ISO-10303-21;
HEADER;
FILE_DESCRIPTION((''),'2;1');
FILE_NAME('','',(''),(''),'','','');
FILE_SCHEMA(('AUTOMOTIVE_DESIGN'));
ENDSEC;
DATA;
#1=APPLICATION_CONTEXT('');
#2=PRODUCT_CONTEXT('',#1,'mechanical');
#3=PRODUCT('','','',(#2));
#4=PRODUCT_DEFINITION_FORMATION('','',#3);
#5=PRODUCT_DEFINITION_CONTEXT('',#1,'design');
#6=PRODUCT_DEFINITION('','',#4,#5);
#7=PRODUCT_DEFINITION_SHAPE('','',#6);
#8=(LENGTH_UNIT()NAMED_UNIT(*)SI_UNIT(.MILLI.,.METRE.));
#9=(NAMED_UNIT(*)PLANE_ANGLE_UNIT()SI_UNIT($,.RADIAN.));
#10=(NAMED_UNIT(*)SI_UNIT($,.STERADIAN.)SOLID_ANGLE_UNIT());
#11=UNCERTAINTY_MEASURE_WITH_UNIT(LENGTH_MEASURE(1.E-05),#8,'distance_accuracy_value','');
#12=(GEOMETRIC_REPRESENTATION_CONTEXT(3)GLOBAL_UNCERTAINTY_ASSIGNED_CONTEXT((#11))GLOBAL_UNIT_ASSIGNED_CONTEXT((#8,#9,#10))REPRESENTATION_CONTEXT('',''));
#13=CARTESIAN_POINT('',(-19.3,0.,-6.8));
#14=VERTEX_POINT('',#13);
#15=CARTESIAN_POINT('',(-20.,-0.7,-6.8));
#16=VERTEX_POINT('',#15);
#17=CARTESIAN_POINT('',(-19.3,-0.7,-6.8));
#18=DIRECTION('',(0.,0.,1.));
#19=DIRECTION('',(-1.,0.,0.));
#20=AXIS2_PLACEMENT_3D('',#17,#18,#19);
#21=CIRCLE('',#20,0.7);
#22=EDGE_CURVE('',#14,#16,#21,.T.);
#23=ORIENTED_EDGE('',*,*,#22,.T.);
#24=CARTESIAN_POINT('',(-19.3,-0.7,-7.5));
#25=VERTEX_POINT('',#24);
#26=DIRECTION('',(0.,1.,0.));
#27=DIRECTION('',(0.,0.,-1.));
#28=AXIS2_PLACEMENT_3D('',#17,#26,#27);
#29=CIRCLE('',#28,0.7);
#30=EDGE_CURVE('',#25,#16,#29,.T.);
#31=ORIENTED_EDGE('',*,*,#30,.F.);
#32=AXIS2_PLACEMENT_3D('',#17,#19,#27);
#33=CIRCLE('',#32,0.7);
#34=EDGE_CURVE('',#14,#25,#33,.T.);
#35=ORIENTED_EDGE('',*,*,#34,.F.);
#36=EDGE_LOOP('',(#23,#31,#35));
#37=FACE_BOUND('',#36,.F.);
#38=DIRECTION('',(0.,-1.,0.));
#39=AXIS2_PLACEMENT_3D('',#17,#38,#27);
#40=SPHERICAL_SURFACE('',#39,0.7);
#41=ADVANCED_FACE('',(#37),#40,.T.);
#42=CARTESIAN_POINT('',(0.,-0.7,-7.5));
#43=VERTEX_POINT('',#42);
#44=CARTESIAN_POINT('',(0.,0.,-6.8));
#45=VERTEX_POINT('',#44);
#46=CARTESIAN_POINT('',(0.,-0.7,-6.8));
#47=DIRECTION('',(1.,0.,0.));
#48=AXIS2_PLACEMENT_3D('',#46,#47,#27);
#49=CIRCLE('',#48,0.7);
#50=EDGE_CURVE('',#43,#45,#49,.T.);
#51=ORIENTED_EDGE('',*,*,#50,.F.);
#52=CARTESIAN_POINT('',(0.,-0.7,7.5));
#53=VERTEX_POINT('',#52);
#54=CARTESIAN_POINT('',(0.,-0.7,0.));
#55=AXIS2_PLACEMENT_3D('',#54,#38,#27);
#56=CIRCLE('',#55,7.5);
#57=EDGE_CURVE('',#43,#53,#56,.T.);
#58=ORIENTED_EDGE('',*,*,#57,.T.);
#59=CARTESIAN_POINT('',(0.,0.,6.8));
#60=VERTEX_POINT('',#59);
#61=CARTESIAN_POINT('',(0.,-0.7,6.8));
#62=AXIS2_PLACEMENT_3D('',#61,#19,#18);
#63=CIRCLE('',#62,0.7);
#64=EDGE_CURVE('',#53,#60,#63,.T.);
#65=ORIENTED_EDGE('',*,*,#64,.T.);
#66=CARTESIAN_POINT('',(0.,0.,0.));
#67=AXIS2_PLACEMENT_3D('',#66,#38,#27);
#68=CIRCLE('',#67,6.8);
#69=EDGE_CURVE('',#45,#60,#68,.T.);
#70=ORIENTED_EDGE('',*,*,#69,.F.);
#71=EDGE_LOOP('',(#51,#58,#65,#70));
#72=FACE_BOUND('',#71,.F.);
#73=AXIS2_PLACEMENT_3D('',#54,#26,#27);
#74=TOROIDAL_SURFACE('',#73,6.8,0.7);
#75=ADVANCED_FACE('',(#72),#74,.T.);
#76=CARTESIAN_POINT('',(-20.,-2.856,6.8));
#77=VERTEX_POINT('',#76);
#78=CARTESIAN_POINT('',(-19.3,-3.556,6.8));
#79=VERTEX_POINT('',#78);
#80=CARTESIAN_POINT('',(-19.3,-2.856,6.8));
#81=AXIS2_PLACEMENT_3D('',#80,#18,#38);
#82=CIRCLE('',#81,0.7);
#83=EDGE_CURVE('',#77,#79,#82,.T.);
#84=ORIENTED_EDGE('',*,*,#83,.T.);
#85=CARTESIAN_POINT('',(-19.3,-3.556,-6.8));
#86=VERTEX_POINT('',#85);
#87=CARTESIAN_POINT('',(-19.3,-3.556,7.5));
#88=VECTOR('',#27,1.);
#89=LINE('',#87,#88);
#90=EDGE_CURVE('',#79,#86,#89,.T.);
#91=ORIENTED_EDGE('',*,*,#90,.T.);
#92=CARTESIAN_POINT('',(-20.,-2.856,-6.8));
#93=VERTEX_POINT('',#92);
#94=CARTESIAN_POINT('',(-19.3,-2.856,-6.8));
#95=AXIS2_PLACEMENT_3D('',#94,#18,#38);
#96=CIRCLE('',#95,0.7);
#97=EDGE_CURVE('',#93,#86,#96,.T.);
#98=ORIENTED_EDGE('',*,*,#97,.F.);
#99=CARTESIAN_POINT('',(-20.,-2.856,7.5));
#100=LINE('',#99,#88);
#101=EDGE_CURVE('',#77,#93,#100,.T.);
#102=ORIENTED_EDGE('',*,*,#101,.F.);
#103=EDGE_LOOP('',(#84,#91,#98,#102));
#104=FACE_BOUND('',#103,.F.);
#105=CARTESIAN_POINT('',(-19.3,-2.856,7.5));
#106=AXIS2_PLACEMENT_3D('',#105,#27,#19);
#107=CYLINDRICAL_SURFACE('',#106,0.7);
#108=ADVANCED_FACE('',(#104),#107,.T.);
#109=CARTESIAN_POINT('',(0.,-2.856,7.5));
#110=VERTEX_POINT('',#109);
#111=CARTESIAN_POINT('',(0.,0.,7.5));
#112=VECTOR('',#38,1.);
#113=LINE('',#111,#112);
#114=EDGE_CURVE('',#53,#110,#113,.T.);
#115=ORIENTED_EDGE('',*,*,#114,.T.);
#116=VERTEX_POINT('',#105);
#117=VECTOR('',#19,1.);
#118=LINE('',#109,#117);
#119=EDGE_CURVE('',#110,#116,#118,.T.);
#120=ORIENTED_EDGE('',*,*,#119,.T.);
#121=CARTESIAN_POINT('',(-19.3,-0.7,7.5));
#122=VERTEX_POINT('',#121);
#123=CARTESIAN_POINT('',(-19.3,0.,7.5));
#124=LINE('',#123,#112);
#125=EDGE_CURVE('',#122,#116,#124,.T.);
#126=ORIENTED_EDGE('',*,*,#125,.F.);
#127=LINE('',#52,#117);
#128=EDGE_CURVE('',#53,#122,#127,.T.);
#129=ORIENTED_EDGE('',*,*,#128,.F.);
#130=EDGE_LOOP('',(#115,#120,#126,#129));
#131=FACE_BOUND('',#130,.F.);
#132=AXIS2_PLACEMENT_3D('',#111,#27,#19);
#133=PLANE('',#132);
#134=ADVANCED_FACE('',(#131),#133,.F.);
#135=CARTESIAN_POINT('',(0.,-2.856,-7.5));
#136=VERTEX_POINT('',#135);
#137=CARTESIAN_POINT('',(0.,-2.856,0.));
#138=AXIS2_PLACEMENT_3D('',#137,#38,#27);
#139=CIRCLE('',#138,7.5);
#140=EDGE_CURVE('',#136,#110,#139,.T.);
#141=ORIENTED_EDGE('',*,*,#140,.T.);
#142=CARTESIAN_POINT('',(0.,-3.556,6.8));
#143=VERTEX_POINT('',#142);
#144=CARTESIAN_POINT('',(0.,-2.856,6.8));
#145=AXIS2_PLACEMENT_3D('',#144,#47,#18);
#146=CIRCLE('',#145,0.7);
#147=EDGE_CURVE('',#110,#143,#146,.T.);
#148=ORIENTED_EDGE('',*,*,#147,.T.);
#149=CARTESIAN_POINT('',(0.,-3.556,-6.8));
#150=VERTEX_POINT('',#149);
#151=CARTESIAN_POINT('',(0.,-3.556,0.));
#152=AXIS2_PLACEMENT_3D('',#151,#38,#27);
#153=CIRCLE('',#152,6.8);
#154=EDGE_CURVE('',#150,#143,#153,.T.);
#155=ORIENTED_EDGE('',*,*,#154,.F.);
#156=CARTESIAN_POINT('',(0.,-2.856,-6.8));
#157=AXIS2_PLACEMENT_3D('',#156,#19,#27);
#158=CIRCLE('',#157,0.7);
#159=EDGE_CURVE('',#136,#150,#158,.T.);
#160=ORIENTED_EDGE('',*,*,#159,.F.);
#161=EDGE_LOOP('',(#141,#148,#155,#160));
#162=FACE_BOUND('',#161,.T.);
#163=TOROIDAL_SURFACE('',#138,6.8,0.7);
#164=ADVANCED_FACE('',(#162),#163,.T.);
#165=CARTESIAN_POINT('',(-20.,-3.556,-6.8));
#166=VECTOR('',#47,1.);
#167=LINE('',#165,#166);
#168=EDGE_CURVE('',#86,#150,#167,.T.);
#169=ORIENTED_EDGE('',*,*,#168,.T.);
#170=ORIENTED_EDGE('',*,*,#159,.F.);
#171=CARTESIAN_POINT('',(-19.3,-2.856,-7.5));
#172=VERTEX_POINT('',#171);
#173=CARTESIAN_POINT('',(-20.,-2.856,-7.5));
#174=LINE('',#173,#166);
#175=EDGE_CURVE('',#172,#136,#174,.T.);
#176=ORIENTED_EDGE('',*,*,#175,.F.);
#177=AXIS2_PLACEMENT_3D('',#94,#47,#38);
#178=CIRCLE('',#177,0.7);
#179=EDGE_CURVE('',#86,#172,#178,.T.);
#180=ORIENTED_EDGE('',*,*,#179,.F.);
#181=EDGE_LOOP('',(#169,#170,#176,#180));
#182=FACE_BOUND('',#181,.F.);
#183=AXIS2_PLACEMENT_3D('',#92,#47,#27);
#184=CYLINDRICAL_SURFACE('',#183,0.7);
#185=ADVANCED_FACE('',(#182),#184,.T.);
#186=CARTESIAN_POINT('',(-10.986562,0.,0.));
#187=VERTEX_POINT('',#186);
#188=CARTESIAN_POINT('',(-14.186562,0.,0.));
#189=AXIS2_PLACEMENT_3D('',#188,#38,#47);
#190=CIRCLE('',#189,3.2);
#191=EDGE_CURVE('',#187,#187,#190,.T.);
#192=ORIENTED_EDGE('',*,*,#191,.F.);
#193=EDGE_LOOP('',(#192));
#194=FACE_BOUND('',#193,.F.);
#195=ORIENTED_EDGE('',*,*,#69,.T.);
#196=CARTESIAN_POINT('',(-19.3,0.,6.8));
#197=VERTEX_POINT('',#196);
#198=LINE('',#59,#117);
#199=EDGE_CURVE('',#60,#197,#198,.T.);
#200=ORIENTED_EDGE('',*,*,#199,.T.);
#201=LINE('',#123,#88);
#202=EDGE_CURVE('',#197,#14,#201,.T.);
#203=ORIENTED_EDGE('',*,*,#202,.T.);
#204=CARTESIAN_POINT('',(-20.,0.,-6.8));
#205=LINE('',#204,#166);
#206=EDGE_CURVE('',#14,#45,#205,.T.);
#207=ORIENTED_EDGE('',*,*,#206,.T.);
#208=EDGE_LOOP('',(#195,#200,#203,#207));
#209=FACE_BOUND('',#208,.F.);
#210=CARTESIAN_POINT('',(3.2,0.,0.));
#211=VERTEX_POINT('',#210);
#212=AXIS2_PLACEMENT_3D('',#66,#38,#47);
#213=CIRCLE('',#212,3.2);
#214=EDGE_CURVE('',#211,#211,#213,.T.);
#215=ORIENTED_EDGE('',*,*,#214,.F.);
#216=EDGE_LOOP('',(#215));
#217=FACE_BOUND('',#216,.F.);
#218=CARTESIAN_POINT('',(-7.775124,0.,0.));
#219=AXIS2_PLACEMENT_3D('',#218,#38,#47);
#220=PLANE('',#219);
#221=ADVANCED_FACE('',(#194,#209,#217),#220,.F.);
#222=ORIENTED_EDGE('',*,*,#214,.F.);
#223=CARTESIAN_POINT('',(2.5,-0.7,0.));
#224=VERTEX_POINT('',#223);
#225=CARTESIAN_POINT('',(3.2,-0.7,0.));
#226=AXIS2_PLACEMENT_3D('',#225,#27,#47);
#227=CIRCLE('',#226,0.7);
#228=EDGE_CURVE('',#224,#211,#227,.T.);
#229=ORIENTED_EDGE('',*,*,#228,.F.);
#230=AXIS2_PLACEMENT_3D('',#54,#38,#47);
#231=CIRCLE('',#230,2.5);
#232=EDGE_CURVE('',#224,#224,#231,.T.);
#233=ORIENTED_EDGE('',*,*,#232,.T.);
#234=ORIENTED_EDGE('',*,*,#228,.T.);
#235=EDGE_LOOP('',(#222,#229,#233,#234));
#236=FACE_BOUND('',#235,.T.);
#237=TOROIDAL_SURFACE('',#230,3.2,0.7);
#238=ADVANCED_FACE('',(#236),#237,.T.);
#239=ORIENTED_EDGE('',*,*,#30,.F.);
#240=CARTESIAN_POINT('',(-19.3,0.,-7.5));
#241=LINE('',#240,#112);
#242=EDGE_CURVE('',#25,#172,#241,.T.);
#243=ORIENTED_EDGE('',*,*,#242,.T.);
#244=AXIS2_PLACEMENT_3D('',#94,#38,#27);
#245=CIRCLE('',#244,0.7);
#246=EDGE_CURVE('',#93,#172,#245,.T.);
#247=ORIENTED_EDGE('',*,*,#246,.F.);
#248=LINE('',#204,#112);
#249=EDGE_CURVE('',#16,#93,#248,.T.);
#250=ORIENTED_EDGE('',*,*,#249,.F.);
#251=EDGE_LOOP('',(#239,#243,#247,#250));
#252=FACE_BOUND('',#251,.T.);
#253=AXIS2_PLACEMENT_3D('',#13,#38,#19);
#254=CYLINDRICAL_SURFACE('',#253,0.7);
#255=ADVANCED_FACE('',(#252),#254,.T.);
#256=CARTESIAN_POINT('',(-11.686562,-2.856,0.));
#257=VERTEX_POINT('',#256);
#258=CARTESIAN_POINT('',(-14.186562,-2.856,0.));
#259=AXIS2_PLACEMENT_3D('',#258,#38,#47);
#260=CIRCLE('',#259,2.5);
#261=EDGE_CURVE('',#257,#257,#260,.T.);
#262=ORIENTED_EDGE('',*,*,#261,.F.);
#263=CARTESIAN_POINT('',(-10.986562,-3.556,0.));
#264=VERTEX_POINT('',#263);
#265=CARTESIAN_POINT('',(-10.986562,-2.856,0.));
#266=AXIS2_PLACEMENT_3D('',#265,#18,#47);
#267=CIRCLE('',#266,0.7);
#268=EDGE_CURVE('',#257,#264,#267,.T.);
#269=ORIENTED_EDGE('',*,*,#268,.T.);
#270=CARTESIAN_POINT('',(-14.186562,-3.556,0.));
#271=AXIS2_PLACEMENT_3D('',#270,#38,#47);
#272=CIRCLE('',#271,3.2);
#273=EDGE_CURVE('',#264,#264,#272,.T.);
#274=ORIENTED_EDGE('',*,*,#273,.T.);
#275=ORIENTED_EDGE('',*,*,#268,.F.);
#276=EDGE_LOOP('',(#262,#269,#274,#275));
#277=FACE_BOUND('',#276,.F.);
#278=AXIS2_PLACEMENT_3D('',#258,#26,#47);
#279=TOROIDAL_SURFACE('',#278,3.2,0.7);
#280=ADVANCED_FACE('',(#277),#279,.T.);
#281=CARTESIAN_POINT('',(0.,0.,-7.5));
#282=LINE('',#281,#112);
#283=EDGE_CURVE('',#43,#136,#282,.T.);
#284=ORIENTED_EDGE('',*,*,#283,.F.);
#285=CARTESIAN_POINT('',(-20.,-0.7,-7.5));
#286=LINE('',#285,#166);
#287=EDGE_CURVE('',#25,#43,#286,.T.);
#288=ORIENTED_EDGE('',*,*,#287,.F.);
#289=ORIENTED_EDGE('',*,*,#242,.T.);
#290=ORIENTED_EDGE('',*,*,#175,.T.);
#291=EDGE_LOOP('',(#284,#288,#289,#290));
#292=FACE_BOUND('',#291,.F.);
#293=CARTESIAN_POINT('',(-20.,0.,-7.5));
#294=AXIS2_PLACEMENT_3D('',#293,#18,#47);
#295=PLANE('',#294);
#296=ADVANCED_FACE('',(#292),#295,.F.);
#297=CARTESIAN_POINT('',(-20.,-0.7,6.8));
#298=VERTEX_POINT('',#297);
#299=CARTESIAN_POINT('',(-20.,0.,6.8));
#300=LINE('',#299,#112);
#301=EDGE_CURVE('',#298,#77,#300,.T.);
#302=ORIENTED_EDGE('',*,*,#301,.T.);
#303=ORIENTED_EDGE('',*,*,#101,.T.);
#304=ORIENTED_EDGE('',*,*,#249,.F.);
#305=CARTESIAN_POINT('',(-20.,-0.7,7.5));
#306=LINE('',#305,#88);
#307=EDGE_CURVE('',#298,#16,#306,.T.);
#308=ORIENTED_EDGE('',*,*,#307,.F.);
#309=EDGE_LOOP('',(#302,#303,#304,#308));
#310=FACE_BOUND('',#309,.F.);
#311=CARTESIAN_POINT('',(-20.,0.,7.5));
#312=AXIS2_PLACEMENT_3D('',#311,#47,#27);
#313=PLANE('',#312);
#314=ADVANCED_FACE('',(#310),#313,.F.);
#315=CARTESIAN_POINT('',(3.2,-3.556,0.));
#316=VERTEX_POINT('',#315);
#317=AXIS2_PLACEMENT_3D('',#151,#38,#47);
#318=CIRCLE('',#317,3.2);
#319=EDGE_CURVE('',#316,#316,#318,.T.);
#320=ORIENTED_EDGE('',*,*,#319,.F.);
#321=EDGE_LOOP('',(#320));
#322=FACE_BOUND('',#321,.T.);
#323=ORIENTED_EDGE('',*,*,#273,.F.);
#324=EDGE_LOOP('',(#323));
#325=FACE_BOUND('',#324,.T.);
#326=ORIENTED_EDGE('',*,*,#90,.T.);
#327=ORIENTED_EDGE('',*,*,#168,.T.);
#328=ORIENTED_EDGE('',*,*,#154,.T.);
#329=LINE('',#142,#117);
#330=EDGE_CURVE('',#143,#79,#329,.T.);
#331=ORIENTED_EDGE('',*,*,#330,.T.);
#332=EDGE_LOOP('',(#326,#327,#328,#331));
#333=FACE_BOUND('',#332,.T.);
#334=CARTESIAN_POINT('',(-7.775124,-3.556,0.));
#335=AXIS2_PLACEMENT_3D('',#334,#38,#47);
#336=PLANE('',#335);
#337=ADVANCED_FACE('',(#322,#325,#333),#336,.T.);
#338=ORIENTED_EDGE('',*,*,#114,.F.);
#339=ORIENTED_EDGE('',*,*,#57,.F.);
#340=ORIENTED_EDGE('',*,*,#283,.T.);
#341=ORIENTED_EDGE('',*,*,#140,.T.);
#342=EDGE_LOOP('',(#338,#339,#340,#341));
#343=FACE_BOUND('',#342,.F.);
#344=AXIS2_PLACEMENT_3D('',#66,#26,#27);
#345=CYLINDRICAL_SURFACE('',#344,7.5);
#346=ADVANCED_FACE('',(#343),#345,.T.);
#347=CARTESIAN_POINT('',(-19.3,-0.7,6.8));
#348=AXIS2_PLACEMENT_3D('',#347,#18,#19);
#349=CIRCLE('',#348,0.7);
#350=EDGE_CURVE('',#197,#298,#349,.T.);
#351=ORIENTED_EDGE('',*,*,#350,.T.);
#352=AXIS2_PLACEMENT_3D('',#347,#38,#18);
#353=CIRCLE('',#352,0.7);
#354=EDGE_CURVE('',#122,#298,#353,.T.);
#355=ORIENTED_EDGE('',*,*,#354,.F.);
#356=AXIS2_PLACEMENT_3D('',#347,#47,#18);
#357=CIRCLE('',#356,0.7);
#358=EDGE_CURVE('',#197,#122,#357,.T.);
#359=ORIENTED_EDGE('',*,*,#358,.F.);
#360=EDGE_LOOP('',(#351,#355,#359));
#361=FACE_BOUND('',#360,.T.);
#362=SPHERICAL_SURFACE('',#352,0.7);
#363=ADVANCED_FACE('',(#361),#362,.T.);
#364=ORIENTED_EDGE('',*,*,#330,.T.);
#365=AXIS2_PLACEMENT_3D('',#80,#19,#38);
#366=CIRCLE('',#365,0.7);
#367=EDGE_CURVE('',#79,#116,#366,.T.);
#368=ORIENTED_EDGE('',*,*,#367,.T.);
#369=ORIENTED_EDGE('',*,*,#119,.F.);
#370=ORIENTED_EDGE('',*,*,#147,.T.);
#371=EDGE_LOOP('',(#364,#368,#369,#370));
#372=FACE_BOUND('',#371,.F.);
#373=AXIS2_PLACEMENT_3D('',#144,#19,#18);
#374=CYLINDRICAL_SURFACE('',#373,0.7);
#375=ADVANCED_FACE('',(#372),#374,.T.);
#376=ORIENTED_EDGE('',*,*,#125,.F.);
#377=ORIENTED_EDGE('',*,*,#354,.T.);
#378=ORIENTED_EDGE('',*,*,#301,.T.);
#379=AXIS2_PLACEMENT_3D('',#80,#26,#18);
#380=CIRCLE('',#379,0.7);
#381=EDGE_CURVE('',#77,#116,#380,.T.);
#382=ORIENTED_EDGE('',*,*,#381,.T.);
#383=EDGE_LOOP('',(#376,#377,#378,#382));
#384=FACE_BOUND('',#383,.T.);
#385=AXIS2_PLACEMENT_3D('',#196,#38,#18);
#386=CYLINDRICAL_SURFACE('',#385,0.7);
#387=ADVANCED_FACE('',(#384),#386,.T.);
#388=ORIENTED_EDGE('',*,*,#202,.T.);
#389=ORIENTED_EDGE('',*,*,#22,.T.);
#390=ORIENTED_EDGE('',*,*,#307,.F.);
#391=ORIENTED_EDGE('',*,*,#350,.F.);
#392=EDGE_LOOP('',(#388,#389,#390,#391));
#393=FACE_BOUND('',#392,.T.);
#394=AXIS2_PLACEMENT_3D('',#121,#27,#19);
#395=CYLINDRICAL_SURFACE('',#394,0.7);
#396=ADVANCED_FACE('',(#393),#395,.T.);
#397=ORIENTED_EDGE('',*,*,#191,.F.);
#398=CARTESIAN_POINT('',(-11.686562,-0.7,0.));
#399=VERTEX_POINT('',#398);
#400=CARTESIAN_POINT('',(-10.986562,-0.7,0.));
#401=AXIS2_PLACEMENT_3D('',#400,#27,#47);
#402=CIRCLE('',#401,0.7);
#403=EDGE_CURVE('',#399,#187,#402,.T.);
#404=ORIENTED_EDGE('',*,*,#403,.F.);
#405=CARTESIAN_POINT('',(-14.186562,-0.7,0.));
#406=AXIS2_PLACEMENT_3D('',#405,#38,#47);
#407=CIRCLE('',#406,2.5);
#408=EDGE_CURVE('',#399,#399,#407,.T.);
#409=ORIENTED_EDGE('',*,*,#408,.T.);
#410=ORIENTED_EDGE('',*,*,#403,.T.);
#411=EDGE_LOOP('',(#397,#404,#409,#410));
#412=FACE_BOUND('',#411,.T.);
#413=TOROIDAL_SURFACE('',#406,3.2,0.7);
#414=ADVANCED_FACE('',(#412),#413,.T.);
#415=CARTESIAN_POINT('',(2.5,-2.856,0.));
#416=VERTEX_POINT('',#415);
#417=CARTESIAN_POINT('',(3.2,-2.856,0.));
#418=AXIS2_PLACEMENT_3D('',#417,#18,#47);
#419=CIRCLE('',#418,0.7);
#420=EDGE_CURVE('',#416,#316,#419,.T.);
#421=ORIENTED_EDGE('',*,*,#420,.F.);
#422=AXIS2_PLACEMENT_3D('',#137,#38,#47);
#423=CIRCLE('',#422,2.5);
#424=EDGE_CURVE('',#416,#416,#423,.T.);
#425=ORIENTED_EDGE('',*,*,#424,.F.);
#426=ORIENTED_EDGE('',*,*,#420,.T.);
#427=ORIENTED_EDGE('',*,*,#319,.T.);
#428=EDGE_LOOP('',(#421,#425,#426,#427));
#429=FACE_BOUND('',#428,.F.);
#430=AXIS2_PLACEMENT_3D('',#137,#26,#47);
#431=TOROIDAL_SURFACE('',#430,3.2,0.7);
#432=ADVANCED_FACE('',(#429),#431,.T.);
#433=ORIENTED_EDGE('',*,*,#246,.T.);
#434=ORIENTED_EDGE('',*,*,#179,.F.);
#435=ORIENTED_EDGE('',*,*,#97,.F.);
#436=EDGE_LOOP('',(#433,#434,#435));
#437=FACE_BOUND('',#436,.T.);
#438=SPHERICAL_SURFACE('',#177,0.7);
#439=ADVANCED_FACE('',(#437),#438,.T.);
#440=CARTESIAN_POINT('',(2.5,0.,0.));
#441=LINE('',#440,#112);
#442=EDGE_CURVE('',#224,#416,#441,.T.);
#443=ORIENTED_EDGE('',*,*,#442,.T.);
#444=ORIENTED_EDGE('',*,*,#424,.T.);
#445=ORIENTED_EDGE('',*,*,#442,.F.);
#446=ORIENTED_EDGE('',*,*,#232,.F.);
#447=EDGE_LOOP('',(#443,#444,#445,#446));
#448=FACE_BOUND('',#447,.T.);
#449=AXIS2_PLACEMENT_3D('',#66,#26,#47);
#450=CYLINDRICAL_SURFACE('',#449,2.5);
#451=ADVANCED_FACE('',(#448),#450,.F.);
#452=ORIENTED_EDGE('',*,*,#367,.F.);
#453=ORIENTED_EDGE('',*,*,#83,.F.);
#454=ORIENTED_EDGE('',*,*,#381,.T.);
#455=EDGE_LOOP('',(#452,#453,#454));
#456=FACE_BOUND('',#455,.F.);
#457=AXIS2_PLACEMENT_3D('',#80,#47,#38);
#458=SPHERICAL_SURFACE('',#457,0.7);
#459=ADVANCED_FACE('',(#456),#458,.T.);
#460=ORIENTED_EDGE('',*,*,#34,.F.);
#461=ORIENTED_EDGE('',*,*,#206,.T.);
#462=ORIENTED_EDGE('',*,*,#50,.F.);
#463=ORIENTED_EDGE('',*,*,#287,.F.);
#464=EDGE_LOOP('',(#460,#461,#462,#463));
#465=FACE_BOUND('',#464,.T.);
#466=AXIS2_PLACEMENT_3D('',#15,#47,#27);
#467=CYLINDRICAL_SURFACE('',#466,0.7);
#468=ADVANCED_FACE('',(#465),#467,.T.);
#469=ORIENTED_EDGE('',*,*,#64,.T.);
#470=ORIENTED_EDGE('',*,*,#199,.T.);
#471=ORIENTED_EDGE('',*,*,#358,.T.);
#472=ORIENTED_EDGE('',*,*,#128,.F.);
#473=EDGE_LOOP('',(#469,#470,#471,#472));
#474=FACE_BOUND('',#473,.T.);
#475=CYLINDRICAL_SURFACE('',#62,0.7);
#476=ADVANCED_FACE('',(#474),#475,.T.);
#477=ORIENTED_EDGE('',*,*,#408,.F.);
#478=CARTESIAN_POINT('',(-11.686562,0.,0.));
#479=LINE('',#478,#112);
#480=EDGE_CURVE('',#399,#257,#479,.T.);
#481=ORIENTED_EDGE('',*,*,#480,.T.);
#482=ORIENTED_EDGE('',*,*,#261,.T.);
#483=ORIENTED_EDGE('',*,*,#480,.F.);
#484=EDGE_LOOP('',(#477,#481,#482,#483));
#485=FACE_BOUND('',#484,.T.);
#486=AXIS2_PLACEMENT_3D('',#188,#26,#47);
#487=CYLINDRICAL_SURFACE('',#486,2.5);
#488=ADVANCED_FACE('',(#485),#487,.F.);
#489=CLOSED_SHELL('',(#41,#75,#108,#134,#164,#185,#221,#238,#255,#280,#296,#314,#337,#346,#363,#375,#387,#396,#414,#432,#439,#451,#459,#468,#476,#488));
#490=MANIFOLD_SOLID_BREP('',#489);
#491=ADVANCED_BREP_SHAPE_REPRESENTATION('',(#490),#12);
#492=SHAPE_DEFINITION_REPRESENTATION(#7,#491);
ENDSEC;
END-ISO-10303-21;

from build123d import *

# Parameters (mm, degrees)
F0_R     = 2.5
F1_DEPTH = 3.556
F2_R     = 0.7


with BuildPart() as f1:
    # F0 (on Front) → F1 (new body)
    with BuildSketch(Plane.XZ):
        with BuildLine():
            Line((0, 7.5), (-20, 7.5))
            Line((-20, 7.5), (-20, -7.5))
            Line((-20, -7.5), (0, -7.5))
            ThreePointArc((0, -7.5), (7.5, 0), (0, 7.5))
        make_face()
        with Locations((-14.186562, 0)):
            Circle(F0_R, mode=Mode.SUBTRACT)
        Circle(F0_R, mode=Mode.SUBTRACT)
    extrude(amount=F1_DEPTH)

    # F2
    f2_edges = [f1.edges().sort_by_distance(p)[0] for p in [
        (-16.686562, -3.556, 0),
        (-2.5, -3.556, 0),
        (-10, -3.556, -7.5),
        (7.5, -3.556, 0),
        (-10, -3.556, 7.5),
        (-20, -3.556, 0),
        (-20, -1.778, 7.5),
        (-20, -1.778, -7.5),
        (-10, 0, -7.5),
        (-20, 0, 0),
        (-10, 0, 7.5),
        (-16.686562, 0, 0),
        (-2.5, 0, 0),
        (7.5, 0, 0),
    ]]
    fillet(f2_edges, radius=F2_R)


solid = f1.part
